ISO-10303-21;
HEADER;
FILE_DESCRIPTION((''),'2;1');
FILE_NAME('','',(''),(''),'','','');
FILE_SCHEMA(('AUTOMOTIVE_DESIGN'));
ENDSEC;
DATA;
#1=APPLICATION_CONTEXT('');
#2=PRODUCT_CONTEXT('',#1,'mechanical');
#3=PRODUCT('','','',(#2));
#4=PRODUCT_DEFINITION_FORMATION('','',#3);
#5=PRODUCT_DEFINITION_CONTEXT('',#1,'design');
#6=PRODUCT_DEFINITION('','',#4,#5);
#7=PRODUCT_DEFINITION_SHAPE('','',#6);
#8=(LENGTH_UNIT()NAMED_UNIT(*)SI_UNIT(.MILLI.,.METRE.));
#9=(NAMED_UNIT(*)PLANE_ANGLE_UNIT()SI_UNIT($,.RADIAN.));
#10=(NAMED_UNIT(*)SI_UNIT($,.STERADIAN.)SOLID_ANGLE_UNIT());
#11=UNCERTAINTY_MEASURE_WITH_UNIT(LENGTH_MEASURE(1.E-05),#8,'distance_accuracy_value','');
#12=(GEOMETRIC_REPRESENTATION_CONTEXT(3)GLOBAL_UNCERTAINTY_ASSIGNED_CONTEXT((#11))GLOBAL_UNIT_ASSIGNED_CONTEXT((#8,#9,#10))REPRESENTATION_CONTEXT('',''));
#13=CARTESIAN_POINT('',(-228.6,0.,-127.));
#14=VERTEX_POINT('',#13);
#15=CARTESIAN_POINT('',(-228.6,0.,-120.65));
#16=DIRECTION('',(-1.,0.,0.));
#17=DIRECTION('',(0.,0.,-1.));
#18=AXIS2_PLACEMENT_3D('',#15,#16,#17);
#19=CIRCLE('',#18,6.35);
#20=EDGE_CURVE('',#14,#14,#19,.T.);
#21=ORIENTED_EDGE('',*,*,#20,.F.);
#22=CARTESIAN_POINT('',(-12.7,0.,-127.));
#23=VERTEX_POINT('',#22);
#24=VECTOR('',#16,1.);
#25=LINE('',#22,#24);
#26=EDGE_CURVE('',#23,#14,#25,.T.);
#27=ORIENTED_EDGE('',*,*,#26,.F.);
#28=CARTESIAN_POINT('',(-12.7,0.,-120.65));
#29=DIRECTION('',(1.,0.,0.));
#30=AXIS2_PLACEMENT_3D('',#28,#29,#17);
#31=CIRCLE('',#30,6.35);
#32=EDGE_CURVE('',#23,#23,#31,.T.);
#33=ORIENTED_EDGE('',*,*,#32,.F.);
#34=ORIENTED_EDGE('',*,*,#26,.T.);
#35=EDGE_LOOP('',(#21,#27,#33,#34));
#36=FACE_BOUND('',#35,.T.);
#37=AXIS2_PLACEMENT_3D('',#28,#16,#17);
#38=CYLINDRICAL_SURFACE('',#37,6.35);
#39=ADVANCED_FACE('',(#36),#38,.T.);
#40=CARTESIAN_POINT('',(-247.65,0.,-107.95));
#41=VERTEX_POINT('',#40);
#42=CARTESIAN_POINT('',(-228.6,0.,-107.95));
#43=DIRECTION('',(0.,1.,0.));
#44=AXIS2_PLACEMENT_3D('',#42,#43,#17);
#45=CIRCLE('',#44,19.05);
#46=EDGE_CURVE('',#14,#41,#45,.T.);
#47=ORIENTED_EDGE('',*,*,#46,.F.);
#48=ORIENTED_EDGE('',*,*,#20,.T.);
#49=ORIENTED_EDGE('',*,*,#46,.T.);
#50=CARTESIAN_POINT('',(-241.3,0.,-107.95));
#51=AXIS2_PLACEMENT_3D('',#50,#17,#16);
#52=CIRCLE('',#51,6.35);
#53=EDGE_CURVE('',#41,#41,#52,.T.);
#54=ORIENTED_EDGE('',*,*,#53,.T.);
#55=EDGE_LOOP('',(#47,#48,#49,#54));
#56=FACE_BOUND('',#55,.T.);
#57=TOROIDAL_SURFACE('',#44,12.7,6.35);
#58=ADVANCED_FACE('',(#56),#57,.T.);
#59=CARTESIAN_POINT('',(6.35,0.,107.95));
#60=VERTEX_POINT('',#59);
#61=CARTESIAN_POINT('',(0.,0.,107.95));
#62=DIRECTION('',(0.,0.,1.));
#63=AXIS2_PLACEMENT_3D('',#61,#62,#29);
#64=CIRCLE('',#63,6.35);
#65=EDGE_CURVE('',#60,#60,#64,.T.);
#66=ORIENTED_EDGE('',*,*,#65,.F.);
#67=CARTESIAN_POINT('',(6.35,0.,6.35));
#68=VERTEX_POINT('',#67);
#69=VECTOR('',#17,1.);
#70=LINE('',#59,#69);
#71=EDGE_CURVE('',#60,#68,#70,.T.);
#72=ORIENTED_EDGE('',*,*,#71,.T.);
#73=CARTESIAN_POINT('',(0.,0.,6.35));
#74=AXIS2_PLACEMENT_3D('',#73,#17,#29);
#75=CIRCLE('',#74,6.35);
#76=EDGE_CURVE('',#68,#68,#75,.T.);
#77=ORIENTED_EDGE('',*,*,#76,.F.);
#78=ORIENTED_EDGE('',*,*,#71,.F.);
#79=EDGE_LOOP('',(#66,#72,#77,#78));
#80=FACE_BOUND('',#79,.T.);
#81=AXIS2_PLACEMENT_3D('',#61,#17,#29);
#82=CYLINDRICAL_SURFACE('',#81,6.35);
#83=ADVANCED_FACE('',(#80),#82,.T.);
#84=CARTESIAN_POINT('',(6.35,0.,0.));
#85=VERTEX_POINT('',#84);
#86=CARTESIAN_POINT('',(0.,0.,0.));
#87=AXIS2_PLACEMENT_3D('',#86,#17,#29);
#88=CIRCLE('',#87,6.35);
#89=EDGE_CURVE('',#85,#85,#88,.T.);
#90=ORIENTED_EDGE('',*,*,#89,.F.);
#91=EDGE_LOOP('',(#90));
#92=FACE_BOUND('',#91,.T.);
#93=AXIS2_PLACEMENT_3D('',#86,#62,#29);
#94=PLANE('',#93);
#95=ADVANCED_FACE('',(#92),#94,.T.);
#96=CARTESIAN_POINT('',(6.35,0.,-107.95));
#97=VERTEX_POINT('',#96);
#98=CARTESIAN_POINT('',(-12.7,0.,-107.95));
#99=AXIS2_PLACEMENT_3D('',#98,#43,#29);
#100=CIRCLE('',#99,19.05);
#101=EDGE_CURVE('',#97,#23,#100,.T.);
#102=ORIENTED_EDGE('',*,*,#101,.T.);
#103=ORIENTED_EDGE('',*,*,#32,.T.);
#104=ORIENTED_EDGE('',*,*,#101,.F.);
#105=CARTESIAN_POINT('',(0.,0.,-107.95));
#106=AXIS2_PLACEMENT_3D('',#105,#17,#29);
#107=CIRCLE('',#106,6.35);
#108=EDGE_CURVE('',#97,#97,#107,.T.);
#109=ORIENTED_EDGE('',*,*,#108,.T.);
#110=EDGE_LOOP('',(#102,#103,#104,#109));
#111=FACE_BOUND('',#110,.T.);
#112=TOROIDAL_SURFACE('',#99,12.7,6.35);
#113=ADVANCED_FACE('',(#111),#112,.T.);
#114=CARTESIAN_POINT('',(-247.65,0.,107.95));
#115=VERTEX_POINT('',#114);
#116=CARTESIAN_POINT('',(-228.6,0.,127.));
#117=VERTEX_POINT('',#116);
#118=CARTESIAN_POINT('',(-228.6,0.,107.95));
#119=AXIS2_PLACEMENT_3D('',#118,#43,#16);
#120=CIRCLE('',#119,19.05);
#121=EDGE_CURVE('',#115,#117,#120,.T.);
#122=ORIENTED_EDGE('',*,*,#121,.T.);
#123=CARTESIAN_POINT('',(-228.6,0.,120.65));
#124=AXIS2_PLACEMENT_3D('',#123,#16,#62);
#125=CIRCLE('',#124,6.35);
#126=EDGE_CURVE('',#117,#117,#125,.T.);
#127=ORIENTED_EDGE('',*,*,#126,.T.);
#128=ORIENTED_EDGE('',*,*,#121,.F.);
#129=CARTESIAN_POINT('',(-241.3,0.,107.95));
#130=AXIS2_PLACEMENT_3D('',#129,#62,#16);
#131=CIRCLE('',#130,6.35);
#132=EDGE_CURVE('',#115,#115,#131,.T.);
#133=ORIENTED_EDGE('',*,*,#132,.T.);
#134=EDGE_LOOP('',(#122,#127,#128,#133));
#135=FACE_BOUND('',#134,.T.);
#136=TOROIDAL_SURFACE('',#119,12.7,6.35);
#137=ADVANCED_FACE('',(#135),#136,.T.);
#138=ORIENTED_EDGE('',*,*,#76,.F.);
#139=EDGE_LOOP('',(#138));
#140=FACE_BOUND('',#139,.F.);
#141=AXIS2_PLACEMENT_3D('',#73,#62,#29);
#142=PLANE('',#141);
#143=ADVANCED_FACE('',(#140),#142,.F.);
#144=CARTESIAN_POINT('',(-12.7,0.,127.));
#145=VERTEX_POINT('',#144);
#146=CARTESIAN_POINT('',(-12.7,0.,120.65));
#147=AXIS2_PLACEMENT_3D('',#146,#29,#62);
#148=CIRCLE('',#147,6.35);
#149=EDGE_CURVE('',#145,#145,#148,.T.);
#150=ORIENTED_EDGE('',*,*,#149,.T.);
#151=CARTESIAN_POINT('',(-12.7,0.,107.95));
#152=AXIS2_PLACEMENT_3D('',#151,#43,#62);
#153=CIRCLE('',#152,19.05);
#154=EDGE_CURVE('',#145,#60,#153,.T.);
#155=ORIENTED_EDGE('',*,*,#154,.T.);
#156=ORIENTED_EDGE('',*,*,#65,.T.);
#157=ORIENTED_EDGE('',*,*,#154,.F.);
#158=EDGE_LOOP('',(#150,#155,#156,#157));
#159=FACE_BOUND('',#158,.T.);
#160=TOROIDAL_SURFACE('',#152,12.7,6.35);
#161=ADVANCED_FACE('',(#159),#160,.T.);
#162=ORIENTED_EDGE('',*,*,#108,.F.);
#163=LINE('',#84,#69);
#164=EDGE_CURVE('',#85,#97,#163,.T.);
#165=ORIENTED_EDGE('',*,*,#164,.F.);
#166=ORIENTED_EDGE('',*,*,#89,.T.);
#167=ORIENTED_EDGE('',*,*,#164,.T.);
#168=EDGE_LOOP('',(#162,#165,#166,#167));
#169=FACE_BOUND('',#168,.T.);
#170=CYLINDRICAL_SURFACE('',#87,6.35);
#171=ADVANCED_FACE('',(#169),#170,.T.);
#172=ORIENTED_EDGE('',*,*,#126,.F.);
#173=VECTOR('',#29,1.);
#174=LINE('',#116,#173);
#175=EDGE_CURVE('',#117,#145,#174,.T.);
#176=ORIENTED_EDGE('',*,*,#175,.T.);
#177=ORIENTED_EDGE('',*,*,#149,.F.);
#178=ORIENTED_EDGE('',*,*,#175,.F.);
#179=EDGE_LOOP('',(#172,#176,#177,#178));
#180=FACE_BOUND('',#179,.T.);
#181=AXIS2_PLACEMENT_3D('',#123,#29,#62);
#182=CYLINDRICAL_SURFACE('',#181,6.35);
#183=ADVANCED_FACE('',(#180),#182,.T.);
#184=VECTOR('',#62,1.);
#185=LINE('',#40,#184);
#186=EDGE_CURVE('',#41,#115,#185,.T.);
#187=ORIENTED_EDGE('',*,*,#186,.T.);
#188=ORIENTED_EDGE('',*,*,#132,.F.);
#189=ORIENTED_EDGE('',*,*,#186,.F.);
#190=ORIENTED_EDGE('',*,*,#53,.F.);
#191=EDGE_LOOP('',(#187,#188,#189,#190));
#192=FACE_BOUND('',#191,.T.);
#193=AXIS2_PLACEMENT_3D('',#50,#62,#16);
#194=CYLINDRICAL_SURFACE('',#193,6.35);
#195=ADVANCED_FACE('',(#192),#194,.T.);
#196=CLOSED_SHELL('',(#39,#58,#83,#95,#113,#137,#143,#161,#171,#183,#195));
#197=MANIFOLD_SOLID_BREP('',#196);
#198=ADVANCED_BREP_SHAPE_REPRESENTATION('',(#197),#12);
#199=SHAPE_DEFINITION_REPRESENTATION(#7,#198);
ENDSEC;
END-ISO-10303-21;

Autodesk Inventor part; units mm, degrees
ref_plane "YZ Plane" through (0, 0, 0) normal (1, 0, 0) x (0, 1, 0)
ref_plane "XZ Plane" through (0, 0, 0) normal (0, 1, 0) x (-1, 0, 0)
ref_plane "XY Plane" through (0, 0, 0) normal (0, 0, 1) x (1, 0, 0)
sketch "Sketch1" plane through (0, 0, 0) normal (0, 0, 1) x (1, 0, 0)
  circle A0 centre (0, 0) radius 6.35
  dimension "d0" = 12.7
sketch "Sketch2" plane through (0, 0, 0) normal (0, 1, 0) x (-1, 0, 0)
  line L0 (0, 0) -> (0, -107.95)
  line L1 (12.7, -120.65) -> (228.6, -120.65)
  line L2 (241.3, -107.95) -> (241.3, 107.95)
  line L3 (228.6, 120.65) -> (12.7, 120.65)
  line L4 (0, 107.95) -> (0, 6.35)
  arc A0 (0, -107.95) -> (12.7, -120.65) centre (12.7, -107.95) ccw
  arc A1 (228.6, -120.65) -> (241.3, -107.95) centre (228.6, -107.95) ccw
  arc A2 (241.3, 107.95) -> (228.6, 120.65) centre (228.6, 107.95) ccw
  arc A3 (12.7, 120.65) -> (0, 107.95) centre (12.7, 107.95) ccw
  point P0 (0, -120.65)
  point P1 (241.3, -120.65)
  point P2 (241.3, 120.65)
  point P3 (0, 120.65)
  dimension "d1" = 6.35
  dimension "d2" = 120.65
  dimension "d3" = 241.3
  dimension "d4" = 241.3
  dimension "d8" = 12.7
sweep "Sweep1" add profiles "Sketch1" path "Sketch2"
properties part number "Ring_Of_Rebar" material "Steel"
